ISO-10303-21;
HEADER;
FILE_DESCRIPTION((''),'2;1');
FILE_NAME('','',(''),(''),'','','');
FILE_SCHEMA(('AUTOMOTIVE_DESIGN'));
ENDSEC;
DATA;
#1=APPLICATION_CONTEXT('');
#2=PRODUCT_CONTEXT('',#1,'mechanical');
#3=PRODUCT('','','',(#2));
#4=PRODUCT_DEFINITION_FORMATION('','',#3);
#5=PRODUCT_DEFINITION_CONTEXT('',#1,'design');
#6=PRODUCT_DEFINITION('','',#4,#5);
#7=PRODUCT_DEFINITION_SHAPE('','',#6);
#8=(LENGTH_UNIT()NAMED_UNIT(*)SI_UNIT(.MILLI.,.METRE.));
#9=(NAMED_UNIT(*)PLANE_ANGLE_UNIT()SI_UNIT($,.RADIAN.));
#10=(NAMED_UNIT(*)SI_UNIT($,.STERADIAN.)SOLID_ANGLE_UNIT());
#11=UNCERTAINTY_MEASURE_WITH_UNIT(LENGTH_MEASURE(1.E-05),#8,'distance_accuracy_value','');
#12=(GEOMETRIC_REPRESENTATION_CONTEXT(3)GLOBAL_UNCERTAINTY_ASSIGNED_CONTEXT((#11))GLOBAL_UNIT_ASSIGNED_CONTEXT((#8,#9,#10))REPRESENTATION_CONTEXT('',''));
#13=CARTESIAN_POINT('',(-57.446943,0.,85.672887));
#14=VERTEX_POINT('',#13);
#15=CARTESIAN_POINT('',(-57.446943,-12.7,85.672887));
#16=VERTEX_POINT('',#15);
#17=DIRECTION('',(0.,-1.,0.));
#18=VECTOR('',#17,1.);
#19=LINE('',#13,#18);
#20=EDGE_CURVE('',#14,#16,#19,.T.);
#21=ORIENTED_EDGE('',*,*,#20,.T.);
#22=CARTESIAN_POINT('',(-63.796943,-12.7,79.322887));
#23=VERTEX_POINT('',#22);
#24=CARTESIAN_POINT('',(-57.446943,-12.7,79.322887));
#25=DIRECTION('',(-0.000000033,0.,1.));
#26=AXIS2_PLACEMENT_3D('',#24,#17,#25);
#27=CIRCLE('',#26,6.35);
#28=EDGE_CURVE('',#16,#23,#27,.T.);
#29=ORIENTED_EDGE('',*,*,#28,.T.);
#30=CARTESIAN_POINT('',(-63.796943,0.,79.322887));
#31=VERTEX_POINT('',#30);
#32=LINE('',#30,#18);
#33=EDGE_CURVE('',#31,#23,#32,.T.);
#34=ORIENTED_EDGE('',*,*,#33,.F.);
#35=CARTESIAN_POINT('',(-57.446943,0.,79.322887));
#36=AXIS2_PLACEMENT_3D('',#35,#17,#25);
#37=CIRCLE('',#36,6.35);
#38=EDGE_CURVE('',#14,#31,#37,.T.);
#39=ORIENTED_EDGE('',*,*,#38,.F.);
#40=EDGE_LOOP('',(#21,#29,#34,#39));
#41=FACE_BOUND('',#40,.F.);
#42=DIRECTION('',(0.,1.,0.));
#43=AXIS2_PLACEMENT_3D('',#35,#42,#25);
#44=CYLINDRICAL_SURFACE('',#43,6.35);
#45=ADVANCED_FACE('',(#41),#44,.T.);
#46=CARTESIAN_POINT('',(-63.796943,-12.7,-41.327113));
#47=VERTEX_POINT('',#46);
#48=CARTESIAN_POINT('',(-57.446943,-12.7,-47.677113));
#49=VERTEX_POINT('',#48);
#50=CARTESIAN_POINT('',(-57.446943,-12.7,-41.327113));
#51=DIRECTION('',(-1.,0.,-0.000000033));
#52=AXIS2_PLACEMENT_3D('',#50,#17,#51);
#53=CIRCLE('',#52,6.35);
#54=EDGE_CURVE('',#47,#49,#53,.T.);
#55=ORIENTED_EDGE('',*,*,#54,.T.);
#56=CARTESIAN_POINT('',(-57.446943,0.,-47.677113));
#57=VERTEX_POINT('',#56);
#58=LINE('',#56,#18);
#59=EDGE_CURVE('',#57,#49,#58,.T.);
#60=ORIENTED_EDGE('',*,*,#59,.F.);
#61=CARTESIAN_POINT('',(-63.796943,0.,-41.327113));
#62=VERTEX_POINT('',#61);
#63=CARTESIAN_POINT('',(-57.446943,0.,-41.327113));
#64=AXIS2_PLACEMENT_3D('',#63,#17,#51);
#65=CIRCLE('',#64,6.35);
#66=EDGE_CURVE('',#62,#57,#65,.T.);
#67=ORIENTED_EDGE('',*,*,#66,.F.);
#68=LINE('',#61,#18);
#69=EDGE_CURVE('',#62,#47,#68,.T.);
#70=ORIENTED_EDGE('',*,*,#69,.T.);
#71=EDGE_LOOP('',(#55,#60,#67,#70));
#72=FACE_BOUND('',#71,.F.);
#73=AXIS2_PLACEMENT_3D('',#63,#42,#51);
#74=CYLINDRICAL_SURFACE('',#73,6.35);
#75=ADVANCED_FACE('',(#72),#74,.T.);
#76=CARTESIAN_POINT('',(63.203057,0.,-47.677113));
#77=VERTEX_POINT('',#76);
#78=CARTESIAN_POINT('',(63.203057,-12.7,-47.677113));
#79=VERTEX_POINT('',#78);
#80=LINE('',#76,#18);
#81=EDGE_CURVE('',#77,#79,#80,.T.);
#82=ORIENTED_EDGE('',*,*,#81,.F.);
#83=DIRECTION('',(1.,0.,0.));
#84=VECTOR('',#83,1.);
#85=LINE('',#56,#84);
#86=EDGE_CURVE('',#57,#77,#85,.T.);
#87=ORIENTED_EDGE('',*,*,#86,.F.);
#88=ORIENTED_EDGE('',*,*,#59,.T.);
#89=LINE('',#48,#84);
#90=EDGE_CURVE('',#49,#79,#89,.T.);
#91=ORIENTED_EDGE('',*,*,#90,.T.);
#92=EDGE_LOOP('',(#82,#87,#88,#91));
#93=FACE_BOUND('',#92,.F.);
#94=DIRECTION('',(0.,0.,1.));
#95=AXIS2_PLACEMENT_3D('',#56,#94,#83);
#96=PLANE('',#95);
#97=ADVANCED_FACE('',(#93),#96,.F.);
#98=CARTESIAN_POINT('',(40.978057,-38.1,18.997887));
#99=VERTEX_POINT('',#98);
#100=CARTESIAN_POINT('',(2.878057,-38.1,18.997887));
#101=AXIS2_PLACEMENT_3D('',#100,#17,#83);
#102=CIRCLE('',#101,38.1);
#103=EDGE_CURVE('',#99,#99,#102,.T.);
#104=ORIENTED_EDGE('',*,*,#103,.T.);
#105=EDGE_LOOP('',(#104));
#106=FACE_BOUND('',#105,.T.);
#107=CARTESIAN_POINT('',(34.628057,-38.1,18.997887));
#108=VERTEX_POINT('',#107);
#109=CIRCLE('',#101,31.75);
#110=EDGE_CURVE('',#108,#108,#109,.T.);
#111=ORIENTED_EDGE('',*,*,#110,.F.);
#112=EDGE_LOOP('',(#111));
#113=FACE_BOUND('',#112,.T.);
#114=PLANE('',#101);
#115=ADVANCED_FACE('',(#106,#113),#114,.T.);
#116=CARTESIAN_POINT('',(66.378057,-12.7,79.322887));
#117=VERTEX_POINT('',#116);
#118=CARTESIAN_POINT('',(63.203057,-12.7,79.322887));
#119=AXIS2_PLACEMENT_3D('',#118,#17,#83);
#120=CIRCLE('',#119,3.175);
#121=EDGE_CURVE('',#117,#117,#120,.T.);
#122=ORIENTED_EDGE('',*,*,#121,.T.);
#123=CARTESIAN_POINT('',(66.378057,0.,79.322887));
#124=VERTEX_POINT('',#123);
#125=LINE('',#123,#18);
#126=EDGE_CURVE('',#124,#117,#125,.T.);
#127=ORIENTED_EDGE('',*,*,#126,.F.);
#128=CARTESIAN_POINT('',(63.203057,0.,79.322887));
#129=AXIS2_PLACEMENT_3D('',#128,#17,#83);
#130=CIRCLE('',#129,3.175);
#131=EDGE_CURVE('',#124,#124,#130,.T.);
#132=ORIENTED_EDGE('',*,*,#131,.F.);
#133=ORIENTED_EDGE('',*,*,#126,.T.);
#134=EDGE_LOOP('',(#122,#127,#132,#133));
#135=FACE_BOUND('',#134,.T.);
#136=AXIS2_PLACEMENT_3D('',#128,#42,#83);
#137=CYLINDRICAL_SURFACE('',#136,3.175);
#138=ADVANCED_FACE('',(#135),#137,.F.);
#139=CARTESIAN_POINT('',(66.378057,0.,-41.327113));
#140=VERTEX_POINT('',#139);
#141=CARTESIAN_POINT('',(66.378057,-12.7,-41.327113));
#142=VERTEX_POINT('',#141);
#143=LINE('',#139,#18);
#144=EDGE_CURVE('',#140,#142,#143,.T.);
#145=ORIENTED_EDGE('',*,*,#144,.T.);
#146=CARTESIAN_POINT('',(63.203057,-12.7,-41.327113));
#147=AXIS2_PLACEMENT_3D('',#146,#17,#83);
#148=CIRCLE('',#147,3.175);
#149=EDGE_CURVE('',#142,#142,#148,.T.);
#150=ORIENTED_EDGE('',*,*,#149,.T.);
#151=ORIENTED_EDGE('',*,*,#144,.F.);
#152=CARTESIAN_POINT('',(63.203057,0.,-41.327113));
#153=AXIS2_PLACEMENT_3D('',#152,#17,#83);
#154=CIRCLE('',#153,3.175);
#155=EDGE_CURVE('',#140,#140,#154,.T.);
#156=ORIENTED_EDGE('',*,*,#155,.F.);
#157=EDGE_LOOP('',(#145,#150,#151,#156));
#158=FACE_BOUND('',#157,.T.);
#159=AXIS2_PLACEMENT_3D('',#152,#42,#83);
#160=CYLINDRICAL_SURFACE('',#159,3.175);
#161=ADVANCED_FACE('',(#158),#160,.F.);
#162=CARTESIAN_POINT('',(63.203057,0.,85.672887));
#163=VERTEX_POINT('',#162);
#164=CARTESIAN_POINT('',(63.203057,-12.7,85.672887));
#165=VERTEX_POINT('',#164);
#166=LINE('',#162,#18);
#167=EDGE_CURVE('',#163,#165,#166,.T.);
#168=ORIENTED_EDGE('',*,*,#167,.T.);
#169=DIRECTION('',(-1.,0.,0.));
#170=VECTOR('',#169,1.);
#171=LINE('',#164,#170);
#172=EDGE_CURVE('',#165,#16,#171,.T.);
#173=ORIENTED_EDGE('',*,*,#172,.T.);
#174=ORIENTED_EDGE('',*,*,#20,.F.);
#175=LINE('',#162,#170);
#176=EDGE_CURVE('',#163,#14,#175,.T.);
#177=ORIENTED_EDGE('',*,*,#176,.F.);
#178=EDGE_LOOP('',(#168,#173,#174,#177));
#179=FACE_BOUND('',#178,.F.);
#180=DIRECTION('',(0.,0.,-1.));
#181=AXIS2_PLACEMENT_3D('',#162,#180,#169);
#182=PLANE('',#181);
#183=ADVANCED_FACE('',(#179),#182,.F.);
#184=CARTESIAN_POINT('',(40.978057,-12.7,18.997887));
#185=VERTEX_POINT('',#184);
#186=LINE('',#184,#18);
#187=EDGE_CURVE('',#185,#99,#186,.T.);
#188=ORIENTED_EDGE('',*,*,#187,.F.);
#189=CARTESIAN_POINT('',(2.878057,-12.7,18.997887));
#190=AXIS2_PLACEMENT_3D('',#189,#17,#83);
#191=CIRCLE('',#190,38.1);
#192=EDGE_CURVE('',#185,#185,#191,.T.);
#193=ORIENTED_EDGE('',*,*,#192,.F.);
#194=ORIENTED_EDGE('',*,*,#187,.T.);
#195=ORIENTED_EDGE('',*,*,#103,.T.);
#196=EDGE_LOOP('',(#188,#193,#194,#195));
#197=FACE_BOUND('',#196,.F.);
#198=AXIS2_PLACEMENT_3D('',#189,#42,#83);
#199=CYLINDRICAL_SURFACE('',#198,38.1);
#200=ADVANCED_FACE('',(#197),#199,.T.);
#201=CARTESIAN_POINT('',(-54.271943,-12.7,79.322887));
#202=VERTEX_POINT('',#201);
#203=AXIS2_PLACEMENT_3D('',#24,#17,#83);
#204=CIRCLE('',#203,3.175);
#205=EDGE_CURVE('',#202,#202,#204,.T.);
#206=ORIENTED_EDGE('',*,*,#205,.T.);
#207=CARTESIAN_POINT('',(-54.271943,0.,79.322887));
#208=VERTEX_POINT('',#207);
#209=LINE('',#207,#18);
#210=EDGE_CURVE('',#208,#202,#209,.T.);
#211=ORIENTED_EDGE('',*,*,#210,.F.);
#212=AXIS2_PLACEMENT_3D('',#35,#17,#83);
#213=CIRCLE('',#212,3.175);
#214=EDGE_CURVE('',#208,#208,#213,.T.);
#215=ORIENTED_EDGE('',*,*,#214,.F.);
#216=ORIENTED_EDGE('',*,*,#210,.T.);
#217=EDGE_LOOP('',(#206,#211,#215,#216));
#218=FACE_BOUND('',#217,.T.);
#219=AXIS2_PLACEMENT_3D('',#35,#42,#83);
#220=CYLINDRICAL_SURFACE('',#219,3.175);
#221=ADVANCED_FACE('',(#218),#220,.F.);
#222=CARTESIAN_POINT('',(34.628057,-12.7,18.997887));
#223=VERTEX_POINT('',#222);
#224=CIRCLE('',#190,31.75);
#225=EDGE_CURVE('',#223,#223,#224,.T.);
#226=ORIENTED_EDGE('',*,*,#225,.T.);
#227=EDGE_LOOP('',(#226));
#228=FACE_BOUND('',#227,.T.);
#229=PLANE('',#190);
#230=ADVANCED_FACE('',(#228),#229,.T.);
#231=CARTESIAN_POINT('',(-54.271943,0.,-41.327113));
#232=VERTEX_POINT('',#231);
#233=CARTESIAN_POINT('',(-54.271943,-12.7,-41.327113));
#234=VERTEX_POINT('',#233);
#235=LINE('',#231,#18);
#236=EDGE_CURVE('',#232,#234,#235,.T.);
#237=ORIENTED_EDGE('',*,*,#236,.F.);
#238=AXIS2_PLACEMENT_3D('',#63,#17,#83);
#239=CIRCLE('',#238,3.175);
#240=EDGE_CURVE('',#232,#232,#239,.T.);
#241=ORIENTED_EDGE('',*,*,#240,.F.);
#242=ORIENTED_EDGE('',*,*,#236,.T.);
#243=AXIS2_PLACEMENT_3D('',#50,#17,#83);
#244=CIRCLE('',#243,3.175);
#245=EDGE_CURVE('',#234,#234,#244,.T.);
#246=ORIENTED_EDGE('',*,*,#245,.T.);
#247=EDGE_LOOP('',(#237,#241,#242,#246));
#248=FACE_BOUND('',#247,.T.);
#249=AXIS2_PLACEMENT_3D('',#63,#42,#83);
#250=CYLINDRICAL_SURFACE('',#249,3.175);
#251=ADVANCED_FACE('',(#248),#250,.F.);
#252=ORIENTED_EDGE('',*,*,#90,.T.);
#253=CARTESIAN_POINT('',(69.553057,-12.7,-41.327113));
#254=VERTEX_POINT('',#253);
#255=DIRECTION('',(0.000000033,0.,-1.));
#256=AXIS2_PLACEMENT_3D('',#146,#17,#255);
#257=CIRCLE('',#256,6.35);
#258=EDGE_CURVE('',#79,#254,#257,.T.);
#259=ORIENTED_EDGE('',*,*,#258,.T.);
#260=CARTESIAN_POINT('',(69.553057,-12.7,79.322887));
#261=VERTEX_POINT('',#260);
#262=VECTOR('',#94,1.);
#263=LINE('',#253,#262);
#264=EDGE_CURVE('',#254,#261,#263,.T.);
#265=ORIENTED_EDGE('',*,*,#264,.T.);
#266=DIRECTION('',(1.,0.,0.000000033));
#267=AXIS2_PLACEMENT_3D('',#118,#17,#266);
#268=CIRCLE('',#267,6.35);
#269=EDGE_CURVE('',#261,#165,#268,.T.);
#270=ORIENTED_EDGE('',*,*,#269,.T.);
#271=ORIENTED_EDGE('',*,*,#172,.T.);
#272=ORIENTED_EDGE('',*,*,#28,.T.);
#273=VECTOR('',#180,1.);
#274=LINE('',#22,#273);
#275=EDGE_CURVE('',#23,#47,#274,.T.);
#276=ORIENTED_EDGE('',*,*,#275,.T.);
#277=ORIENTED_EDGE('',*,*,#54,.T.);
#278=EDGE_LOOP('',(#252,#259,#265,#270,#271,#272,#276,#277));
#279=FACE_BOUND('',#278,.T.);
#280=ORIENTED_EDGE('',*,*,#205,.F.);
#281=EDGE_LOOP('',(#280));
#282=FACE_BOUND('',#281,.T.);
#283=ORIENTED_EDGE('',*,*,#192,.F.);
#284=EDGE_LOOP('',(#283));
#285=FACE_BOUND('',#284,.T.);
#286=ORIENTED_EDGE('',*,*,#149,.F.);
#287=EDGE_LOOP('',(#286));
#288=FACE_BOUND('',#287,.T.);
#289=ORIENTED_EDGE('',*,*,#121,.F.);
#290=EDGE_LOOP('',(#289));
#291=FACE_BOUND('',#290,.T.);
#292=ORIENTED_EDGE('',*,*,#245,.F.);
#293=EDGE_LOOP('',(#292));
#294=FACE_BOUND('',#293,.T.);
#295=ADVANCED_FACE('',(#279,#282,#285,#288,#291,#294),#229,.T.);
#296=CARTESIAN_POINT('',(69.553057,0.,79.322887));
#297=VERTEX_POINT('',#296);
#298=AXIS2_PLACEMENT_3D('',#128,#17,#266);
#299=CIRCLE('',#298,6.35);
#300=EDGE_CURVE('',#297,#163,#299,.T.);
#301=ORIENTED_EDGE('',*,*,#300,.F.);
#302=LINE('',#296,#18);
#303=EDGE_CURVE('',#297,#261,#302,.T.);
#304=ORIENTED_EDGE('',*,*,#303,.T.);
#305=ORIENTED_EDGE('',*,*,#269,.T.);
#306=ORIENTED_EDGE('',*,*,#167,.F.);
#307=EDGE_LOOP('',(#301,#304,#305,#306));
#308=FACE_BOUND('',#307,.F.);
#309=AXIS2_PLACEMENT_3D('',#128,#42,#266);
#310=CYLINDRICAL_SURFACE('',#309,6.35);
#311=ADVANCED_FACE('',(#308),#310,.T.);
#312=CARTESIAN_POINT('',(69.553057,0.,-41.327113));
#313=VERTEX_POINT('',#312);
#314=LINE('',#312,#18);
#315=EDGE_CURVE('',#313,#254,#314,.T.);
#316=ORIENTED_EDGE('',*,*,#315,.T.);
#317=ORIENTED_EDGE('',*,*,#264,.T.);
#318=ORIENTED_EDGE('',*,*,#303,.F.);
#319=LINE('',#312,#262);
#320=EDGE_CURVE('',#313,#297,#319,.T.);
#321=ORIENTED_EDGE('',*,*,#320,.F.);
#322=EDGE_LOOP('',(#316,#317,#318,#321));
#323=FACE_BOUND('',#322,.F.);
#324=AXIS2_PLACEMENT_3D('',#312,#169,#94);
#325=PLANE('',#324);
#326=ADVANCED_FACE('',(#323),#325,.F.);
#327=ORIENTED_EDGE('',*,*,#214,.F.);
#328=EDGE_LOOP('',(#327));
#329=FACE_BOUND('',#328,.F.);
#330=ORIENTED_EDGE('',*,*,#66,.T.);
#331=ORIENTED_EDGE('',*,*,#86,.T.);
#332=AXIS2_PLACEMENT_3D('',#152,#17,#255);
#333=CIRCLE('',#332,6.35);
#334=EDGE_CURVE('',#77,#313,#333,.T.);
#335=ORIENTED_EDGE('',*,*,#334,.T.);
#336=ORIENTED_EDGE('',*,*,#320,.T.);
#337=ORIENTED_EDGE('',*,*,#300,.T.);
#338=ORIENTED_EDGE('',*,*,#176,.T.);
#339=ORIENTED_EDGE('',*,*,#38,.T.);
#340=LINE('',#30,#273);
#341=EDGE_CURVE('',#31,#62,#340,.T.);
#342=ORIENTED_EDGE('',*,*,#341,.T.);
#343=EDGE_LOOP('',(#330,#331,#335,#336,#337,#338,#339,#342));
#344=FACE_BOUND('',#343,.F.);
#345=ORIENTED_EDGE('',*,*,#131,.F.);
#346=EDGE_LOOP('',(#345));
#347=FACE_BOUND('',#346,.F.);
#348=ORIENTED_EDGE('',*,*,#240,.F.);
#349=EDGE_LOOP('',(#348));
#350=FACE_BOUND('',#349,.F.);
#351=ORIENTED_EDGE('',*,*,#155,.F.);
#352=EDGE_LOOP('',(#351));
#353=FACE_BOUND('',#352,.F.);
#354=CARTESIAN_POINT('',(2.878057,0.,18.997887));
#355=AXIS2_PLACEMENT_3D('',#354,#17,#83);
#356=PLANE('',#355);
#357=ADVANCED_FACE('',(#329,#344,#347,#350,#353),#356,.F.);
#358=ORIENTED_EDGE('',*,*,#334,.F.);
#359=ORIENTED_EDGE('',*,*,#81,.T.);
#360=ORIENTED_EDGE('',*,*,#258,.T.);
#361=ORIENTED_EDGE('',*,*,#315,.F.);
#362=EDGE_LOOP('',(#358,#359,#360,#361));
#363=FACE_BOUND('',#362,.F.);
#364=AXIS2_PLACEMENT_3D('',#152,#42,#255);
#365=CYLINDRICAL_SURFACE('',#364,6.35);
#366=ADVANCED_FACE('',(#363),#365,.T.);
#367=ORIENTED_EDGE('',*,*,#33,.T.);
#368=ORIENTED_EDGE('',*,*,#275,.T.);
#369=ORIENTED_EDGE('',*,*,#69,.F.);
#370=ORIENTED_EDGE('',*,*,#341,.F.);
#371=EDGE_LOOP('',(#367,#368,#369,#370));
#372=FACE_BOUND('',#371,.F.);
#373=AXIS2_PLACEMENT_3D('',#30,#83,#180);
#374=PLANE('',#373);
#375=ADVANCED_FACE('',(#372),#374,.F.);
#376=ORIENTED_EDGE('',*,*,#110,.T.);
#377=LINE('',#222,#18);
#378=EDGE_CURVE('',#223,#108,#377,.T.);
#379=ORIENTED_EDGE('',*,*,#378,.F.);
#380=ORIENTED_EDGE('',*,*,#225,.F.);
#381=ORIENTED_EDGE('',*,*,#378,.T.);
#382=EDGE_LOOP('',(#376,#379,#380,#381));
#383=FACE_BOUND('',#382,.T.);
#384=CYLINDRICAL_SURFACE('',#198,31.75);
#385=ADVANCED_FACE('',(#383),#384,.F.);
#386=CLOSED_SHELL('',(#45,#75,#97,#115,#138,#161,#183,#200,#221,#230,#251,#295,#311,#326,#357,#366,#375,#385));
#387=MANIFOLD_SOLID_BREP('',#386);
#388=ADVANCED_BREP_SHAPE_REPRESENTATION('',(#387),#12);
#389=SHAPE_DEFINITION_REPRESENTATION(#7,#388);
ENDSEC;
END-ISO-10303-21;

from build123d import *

# Parameters (mm, degrees)
F0_R     = 3.175
F1_DEPTH = 12.7
F2_R     = 38.1
F2_R_2   = 31.75
F3_DEPTH = 25.4


with BuildPart() as f1:
    # F0 (on Front) → F1 (new body)
    with BuildSketch(Plane.XZ):
        with BuildLine():
            Line((63.203057, 85.672887), (-57.446943, 85.672887))
            ThreePointArc((-57.446943, 85.672887), (-61.937071, 83.813015), (-63.796943, 79.322887))
            Line((-63.796943, 79.322887), (-63.796943, -41.327113))
            ThreePointArc((-63.796943, -41.327113), (-61.937071, -45.817241), (-57.446943, -47.677113))
            Line((-57.446943, -47.677113), (63.203057, -47.677113))
            ThreePointArc((63.203057, -47.677113), (67.693185, -45.817241), (69.553057, -41.327113))
            Line((69.553057, -41.327113), (69.553057, 79.322887))
            ThreePointArc((69.553057, 79.322887), (67.693185, 83.813015), (63.203057, 85.672887))
        make_face()
        with Locations((-57.446943, -41.327113)):
            Circle(F0_R, mode=Mode.SUBTRACT)
        with Locations((63.203057, -41.327113)):
            Circle(F0_R, mode=Mode.SUBTRACT)
        with Locations((-57.446943, 79.322887)):
            Circle(F0_R, mode=Mode.SUBTRACT)
        with Locations((63.203057, 79.322887)):
            Circle(F0_R, mode=Mode.SUBTRACT)
    extrude(amount=F1_DEPTH)

    # F2 (on face) → F3 (join)
    with BuildSketch(Plane.XZ.offset(12.7)):
        with Locations((2.878057, 18.997887)):
            Circle(F2_R)
        with Locations((2.878057, 18.997887)):
            Circle(F2_R_2, mode=Mode.SUBTRACT)
    extrude(amount=F3_DEPTH)


solid = f1.part
